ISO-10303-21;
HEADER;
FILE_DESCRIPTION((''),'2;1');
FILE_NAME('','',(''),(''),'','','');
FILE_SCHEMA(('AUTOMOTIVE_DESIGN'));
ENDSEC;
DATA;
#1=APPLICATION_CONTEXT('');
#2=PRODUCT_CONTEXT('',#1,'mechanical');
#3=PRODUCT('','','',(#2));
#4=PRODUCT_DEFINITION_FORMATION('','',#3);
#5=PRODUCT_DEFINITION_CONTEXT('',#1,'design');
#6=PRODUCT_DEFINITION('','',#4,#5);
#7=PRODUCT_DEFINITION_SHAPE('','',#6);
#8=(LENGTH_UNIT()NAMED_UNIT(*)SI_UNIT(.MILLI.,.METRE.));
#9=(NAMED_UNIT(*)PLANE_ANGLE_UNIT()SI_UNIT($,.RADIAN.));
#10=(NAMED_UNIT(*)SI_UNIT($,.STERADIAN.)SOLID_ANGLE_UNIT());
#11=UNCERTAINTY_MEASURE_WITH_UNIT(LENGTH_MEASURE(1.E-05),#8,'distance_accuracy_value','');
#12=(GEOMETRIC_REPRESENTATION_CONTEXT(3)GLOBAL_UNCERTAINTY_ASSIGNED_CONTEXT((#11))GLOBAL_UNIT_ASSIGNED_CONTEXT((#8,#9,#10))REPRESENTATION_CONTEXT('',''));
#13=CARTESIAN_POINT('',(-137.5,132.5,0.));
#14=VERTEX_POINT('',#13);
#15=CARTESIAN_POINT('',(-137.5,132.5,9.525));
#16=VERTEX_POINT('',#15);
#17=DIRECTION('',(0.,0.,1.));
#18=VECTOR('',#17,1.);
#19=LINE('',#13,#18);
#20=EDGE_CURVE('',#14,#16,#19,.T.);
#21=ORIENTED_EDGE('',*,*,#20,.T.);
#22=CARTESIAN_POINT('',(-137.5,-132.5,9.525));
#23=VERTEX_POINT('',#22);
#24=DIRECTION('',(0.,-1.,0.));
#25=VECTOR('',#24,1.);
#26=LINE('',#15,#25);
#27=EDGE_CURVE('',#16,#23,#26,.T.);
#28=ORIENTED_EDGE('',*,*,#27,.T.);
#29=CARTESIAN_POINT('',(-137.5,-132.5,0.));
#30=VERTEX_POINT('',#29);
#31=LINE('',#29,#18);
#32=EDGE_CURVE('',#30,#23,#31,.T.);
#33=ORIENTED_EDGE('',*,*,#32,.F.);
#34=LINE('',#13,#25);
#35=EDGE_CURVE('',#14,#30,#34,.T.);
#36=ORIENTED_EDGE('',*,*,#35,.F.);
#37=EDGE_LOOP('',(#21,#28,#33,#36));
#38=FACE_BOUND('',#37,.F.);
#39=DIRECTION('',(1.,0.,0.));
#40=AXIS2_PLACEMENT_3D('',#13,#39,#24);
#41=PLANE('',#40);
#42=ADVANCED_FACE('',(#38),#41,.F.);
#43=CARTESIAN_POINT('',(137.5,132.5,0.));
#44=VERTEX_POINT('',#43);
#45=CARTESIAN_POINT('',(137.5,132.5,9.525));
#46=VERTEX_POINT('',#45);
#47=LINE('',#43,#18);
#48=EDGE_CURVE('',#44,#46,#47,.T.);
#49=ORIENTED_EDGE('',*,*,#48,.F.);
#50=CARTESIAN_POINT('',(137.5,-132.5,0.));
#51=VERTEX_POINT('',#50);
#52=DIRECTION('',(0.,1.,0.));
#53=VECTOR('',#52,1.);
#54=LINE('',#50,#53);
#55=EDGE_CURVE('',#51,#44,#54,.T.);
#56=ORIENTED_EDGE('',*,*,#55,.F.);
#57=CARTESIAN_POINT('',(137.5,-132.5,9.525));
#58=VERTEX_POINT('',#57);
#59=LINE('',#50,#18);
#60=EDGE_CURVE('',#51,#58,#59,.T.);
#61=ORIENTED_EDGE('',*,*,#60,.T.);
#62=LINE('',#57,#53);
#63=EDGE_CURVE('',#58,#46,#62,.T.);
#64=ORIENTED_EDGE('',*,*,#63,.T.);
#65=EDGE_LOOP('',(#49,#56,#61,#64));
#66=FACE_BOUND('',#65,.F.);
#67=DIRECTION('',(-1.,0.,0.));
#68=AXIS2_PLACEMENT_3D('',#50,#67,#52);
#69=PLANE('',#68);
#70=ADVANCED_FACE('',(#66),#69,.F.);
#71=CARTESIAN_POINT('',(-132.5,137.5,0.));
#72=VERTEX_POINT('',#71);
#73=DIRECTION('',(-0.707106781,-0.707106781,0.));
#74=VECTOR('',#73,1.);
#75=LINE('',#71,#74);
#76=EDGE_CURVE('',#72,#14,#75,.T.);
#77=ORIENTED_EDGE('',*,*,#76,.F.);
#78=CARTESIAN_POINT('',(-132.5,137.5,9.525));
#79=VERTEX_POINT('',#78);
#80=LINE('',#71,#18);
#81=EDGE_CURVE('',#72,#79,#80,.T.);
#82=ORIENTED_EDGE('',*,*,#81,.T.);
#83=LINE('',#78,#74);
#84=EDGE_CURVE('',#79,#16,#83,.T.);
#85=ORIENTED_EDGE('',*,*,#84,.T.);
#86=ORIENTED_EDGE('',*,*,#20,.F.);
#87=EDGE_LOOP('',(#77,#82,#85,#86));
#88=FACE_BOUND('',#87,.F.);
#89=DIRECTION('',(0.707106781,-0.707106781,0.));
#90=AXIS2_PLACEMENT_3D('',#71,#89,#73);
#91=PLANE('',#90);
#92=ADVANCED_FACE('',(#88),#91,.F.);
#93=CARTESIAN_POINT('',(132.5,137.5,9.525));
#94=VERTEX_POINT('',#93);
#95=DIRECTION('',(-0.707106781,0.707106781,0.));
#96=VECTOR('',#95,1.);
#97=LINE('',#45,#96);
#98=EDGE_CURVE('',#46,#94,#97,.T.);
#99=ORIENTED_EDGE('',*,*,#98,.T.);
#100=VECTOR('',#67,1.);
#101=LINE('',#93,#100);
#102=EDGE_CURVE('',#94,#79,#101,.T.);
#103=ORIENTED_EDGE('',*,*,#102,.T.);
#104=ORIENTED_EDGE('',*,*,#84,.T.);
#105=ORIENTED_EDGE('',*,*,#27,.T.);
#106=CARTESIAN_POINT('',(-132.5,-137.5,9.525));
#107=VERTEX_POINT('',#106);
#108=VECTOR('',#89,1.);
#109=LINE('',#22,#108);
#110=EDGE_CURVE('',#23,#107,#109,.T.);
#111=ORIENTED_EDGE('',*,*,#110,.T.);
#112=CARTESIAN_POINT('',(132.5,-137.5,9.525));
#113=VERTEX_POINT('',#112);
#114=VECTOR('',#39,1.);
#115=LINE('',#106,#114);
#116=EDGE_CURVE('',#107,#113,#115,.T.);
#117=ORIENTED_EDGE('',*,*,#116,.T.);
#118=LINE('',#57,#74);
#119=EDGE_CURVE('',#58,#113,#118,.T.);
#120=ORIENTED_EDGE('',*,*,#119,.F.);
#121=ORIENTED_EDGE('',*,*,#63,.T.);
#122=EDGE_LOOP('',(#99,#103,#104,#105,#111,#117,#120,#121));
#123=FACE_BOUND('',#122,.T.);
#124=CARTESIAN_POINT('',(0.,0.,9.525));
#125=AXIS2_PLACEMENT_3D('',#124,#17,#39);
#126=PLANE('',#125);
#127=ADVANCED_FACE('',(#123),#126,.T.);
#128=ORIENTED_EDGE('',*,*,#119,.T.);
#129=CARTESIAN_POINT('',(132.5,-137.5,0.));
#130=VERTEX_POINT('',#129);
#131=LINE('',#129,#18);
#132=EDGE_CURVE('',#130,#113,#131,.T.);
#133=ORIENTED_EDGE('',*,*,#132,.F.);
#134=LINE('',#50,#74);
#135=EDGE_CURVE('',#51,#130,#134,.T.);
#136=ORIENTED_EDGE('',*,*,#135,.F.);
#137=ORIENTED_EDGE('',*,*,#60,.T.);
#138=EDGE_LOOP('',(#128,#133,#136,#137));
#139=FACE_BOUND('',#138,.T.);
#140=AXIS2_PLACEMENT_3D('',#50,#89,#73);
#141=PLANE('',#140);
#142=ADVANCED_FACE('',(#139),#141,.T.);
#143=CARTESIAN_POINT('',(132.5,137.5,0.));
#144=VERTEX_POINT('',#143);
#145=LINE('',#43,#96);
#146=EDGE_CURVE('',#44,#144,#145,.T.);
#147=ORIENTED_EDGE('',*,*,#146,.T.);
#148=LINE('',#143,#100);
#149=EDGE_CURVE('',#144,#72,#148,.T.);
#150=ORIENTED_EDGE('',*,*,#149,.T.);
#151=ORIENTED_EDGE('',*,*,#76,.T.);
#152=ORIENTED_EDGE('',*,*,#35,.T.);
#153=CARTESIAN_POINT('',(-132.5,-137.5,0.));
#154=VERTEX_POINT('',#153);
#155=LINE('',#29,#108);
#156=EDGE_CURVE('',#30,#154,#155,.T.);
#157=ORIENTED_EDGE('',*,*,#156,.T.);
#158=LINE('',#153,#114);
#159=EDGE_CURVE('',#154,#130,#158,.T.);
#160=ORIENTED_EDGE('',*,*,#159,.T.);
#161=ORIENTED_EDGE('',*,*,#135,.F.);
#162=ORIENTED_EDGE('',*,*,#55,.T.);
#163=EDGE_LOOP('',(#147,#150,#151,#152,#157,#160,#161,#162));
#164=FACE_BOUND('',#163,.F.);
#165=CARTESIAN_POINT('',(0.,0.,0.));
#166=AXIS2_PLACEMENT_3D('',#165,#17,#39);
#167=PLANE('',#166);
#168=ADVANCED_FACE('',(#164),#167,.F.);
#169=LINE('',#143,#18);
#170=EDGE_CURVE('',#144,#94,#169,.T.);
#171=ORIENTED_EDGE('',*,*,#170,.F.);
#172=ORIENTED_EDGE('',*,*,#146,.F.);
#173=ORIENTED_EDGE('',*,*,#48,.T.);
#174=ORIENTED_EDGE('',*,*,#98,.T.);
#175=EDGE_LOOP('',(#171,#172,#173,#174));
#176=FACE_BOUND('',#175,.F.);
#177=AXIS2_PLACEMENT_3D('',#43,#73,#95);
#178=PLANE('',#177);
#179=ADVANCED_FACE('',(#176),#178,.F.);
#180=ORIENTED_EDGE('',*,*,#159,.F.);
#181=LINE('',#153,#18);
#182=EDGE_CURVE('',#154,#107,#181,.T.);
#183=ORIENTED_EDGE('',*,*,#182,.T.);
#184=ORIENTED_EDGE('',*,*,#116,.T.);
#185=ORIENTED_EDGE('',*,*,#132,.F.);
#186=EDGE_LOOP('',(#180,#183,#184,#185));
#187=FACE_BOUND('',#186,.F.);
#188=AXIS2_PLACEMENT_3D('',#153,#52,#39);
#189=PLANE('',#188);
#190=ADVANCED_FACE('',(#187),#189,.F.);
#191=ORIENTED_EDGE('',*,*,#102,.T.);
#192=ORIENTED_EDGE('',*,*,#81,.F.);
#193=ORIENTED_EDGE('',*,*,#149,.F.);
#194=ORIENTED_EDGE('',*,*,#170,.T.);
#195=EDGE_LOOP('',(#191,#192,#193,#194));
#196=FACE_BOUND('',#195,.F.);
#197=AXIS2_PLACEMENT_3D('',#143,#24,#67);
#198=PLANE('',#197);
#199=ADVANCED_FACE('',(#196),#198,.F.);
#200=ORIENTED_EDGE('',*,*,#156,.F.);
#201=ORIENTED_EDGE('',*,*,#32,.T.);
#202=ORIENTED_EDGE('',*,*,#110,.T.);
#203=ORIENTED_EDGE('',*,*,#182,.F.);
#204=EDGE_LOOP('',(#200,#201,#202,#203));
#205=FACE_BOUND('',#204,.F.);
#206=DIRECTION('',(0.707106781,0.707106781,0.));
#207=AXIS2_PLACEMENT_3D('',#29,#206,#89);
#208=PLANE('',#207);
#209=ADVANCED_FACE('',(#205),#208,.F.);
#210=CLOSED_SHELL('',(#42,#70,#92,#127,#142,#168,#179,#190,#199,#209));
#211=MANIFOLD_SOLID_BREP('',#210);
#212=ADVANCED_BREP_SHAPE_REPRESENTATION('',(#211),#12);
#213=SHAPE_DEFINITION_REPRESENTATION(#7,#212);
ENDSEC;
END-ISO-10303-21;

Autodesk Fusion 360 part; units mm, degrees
sketch "Sketch1" plane through (0, 0, 0) normal (0, 0, 1) x (1, 0, 0)
  line L0 (132.5, 137.5) -> (-132.5, 137.5)
  line L1 (-137.5, 132.5) -> (-137.5, -132.5)
  line L2 (-132.5, -137.5) -> (132.5, -137.5)
  line L3 (137.5, -132.5) -> (137.5, 132.5)
  line L4 (135, 135) -> (-137.5, -137.5) construction
  line L5 (-137.5, 137.5) -> (135, -135) construction
  line L6 (137.5, 132.5) -> (132.5, 137.5)
  line L7 (-137.5, -132.5) -> (-132.5, -137.5)
  line L8 (-132.5, 137.5) -> (-137.5, 132.5)
  line L9 (137.5, -132.5) -> (132.5, -137.5)
  dimension "d2" = 275
  dimension "d5" = 5
  dimension "d6" = 5
  dimension "d7" = 5
  dimension "d8" = 5
  dimension "d9" = 5
  dimension "d10" = 5
extrude "Extrude1" add sketch "Sketch1" along normal blind 9.525
equation "d11 = 3 / 8 * in"
